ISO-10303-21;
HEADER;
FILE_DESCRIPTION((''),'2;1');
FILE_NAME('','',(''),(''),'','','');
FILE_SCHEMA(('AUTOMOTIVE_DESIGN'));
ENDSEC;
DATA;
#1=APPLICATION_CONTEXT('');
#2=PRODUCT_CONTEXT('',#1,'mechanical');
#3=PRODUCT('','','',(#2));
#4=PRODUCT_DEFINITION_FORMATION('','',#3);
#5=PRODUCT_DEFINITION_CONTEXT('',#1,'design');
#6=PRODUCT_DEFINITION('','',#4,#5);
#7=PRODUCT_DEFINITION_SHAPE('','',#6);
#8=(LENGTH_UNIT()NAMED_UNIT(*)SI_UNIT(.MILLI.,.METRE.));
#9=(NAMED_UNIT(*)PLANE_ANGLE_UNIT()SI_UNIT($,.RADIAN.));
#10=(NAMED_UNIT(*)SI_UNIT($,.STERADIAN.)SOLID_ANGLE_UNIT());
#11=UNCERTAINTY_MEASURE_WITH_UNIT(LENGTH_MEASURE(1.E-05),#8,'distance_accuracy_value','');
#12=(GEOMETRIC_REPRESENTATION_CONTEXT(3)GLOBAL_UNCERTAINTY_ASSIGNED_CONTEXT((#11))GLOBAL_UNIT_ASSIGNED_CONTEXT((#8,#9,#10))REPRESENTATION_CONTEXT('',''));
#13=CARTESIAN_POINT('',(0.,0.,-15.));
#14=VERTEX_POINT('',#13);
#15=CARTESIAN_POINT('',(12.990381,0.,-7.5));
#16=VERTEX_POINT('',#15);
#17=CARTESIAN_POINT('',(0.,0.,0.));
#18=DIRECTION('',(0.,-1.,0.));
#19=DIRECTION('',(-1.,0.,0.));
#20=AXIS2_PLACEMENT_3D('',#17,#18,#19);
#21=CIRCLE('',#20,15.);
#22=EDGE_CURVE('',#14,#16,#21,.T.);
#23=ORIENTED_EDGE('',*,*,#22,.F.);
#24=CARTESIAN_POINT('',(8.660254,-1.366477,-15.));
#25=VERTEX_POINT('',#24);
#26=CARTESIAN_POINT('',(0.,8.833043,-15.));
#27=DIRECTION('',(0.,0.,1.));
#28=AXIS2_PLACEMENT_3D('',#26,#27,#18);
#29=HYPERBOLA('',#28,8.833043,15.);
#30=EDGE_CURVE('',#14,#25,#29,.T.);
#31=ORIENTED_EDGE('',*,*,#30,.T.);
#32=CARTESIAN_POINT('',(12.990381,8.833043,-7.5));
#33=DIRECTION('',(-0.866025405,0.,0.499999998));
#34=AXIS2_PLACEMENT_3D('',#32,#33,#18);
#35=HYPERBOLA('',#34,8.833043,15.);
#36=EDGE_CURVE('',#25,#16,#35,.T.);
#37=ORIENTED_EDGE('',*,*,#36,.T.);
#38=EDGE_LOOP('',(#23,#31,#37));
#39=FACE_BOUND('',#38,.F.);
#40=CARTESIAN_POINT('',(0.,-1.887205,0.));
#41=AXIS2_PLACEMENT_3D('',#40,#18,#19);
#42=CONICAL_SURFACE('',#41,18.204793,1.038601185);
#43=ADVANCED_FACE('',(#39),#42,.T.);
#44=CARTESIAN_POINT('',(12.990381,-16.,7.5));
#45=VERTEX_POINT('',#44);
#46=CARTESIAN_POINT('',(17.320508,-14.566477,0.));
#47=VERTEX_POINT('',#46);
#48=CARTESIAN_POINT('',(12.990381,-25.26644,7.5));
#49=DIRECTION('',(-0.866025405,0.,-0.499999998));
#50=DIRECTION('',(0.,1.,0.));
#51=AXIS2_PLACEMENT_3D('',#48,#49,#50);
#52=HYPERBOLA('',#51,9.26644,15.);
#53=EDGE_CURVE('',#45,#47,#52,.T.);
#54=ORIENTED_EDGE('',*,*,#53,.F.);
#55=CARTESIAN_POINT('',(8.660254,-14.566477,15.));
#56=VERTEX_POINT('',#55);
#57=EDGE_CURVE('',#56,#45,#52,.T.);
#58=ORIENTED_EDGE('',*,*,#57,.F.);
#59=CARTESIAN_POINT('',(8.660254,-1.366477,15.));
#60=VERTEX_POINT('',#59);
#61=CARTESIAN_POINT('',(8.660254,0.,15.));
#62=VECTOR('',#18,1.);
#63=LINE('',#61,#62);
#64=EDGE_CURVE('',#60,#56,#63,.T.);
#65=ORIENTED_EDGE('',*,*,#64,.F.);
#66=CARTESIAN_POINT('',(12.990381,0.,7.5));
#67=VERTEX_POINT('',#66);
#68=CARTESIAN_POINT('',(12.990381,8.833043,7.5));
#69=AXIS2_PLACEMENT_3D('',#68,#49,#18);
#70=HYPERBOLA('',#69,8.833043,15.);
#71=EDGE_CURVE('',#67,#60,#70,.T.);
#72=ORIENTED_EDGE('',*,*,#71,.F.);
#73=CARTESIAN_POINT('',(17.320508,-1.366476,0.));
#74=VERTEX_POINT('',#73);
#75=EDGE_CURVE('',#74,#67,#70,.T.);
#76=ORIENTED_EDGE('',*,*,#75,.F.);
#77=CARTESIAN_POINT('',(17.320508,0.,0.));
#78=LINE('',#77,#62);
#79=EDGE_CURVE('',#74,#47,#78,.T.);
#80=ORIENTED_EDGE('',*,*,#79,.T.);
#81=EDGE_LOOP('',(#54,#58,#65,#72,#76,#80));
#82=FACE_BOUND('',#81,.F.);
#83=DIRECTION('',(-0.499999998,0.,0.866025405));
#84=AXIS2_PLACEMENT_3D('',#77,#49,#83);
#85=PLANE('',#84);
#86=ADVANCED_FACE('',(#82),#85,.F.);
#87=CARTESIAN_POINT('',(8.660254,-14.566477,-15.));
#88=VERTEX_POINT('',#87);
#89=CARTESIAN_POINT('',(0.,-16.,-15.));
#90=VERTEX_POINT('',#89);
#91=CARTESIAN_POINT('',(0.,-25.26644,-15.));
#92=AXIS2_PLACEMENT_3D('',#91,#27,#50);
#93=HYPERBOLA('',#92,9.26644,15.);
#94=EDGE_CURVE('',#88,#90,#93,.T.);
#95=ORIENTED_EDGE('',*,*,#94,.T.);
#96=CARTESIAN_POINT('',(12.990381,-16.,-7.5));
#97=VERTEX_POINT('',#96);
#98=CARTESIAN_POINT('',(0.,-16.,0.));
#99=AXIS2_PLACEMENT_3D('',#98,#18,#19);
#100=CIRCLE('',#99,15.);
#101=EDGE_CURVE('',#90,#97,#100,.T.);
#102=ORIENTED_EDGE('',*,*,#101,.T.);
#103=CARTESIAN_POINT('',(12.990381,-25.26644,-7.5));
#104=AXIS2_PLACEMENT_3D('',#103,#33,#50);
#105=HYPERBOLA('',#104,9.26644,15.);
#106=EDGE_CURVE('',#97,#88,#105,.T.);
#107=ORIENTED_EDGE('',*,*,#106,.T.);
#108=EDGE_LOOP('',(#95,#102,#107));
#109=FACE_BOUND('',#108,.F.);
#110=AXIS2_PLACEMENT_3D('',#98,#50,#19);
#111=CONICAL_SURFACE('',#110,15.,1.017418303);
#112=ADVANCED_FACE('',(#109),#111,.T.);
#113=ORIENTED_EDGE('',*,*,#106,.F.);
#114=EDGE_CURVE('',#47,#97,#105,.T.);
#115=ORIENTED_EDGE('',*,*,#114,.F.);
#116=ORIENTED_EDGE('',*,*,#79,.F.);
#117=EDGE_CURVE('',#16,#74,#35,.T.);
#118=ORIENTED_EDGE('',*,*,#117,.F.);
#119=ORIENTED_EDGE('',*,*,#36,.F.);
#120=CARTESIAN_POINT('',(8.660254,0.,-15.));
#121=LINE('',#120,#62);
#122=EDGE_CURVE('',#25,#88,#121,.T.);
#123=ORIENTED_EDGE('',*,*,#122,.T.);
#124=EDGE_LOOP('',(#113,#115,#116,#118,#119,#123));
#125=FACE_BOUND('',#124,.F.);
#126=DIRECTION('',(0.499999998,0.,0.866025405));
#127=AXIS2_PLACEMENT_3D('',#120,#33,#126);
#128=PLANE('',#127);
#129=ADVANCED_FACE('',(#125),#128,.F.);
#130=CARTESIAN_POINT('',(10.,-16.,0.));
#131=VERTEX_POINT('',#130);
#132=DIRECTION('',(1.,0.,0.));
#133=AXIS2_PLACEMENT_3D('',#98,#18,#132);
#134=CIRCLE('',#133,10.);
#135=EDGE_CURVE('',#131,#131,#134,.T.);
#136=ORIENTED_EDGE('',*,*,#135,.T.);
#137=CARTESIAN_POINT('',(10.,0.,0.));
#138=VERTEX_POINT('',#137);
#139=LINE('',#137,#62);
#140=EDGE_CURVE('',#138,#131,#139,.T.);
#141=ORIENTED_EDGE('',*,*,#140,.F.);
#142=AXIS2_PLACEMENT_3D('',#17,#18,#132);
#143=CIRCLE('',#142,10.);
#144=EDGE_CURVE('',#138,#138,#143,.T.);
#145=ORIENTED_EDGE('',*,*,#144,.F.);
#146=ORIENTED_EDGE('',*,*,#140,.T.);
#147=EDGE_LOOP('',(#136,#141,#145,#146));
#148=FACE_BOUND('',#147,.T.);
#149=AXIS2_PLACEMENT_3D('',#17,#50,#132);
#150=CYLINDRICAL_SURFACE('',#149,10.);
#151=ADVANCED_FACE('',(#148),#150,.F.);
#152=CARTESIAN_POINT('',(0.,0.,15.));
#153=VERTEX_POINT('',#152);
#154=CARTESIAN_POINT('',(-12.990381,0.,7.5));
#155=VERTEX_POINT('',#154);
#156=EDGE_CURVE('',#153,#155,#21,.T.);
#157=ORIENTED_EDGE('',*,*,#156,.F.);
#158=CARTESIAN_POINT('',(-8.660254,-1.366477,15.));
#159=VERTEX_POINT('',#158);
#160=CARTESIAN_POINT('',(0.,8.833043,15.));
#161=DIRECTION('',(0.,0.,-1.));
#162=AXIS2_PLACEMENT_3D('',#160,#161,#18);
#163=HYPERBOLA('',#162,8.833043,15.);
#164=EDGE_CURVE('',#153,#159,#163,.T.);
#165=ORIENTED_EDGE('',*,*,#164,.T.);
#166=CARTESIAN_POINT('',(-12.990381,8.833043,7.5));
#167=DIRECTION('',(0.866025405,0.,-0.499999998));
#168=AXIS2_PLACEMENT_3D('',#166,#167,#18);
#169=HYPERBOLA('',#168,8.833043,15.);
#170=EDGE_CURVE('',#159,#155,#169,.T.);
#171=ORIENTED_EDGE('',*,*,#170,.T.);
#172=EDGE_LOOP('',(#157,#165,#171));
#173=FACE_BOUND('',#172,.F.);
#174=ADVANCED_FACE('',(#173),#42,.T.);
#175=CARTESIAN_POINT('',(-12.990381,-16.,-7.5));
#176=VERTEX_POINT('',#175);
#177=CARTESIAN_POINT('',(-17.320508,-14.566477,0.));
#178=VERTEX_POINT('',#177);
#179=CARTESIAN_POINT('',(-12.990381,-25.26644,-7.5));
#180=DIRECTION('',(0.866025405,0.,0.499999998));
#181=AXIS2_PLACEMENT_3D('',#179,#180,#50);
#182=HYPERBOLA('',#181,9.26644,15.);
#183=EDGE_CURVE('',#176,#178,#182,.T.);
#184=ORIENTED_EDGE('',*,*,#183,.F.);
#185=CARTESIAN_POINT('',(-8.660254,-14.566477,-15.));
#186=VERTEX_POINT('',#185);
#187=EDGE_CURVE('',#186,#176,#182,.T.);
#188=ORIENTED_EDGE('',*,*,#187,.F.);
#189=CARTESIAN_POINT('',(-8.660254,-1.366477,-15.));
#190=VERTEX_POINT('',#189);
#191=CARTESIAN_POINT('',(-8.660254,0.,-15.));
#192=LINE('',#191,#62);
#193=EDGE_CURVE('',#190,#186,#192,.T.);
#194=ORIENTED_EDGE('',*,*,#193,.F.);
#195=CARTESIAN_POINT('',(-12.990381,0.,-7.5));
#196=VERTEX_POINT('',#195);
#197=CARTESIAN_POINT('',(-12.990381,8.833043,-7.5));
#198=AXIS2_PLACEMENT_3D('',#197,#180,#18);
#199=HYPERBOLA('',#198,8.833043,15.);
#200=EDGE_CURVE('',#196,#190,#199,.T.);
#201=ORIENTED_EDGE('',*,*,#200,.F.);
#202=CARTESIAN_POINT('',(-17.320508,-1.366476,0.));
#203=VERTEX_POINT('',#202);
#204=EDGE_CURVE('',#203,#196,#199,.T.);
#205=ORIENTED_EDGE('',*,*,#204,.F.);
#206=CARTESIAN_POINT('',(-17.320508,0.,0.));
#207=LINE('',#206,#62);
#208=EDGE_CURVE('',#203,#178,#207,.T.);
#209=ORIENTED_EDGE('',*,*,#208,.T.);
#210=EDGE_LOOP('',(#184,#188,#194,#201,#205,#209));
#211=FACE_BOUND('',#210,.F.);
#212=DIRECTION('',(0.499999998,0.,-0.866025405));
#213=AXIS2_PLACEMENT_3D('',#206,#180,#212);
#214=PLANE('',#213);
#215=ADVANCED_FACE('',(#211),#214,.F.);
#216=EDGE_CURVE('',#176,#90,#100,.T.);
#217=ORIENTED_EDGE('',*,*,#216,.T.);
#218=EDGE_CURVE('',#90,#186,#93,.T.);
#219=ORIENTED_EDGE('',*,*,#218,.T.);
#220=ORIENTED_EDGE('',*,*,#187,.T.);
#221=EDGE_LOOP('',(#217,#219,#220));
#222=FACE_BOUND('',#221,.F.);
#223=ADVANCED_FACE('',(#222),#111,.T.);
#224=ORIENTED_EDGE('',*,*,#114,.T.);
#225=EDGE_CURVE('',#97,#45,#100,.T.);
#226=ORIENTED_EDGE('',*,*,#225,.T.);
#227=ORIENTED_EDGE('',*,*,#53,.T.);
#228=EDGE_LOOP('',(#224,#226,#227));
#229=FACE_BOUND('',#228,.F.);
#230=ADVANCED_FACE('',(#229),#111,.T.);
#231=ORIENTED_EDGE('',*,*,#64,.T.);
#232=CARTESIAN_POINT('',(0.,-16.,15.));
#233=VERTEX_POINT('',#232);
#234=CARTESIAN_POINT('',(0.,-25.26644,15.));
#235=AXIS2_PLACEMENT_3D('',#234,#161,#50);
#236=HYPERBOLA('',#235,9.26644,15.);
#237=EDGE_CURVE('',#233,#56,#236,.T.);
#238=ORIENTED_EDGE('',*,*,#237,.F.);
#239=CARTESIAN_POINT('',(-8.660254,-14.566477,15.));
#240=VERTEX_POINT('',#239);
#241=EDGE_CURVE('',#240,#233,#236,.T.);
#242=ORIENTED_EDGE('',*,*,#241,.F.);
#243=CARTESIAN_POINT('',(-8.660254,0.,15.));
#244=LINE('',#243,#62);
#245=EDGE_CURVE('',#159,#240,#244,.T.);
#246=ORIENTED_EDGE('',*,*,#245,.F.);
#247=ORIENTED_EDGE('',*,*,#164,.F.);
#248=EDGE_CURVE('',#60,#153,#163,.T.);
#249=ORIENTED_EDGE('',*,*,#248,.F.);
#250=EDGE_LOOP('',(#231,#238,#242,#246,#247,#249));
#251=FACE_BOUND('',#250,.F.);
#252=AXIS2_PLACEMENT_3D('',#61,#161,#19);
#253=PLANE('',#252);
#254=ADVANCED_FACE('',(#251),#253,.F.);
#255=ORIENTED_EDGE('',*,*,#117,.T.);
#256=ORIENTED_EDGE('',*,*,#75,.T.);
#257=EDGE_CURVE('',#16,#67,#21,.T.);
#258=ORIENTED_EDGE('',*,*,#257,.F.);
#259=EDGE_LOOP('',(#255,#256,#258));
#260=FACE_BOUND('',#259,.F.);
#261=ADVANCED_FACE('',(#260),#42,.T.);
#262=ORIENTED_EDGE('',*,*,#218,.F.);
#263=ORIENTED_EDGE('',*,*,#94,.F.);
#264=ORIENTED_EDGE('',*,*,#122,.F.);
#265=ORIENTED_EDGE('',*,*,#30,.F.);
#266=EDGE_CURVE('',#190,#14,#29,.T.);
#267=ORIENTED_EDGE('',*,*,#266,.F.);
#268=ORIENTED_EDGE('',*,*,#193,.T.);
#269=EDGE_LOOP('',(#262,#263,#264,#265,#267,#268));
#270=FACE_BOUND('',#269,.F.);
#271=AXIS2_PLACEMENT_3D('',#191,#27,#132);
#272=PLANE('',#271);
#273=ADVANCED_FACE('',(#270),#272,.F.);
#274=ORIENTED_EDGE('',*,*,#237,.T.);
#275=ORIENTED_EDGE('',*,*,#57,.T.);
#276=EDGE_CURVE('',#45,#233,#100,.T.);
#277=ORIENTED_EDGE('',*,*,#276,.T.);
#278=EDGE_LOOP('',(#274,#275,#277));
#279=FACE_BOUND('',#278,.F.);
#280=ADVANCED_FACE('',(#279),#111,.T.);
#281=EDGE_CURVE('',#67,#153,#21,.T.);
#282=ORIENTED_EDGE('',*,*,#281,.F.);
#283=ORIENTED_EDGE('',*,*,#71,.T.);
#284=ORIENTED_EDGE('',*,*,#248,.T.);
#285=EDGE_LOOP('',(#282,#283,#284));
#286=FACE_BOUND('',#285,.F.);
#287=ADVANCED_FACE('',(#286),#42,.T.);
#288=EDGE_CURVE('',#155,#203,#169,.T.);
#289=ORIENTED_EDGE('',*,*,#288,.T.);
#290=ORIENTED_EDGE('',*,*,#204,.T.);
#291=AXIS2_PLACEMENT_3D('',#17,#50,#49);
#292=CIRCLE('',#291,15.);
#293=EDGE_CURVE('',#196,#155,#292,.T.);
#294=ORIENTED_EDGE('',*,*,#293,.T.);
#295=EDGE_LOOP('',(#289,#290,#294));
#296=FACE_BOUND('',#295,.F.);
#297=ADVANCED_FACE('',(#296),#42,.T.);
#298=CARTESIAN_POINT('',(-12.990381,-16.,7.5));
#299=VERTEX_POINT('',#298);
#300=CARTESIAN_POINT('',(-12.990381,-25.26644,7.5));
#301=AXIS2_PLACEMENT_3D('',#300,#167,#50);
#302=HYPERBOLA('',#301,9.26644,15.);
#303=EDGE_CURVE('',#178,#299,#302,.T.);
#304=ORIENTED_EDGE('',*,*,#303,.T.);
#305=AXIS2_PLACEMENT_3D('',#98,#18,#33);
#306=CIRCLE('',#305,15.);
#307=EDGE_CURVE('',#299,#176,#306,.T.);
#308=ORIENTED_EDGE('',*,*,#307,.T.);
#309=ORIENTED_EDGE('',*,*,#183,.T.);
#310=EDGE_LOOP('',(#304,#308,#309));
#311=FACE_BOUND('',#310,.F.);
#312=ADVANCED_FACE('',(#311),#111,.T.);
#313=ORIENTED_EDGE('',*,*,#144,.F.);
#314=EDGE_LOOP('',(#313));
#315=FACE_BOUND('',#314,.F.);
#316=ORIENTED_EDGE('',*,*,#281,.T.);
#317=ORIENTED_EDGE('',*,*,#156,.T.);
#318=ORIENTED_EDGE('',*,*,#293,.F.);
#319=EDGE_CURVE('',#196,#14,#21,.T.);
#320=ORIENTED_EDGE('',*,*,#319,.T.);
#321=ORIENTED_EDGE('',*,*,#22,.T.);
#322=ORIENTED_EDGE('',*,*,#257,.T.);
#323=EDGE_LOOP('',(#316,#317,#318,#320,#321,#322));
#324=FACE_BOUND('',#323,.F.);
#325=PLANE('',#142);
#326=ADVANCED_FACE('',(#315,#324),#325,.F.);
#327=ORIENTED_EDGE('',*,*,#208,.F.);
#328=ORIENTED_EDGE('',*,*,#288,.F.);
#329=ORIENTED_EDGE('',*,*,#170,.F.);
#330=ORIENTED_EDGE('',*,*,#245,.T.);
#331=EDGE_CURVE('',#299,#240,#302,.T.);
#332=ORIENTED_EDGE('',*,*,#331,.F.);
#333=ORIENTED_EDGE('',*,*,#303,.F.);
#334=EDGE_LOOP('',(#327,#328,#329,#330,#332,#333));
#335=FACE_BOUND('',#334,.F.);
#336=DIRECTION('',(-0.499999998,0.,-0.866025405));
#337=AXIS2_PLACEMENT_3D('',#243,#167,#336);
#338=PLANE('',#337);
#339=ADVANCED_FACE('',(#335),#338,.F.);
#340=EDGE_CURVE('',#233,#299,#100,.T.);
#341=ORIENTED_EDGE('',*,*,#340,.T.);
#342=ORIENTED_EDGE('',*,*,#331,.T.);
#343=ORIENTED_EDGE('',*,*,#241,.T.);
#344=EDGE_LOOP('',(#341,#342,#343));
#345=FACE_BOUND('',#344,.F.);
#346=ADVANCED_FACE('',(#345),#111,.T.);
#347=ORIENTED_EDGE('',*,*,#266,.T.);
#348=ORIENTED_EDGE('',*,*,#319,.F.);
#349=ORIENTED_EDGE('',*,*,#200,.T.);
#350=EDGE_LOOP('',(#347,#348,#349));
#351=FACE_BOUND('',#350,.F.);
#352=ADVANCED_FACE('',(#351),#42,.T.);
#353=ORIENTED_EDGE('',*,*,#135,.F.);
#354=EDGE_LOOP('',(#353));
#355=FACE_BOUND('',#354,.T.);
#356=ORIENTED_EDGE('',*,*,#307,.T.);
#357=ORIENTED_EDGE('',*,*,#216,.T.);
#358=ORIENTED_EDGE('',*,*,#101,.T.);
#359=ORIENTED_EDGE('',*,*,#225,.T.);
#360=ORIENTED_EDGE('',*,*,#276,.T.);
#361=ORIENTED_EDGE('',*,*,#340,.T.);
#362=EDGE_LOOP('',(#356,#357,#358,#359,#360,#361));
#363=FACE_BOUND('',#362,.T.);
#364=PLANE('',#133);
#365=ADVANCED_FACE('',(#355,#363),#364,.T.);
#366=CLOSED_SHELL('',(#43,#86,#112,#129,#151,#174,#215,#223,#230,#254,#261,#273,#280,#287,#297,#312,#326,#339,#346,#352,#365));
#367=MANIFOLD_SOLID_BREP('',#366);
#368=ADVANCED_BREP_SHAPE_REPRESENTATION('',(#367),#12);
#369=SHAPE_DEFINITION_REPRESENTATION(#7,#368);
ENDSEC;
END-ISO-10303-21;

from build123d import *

# Parameters (mm, degrees)
F0_R     = 10
F1_DEPTH = 16


with BuildPart() as f1:
    # F0 (on Front) → F1 (new body)
    with BuildSketch(Plane.XZ):
        Polygon((-8.660254, -15), (8.660254, -15), (17.320508, 0), (8.660254, 15), (-8.660254, 15), (-17.320508, 0), align=None)
        Circle(F0_R, mode=Mode.SUBTRACT)
    extrude(amount=F1_DEPTH)

    # F2 (on Top) → F3 (revolve, cut)
    with BuildSketch(Plane.XY):
        Polygon((-15, 0), (0, 0), (0, 0.283312), (-18.262021, 0.283312), (-18.204793, -1.887205), align=None)
        Polygon((0, -16.128297), (0, -16), (-15, -16), (-18.306323, -13.957477), (-18.262021, -16.128297), align=None)
    revolve(axis=Axis((0, 0.141656, 0), (0, -1, 0)), mode=Mode.SUBTRACT)


solid = f1.part
